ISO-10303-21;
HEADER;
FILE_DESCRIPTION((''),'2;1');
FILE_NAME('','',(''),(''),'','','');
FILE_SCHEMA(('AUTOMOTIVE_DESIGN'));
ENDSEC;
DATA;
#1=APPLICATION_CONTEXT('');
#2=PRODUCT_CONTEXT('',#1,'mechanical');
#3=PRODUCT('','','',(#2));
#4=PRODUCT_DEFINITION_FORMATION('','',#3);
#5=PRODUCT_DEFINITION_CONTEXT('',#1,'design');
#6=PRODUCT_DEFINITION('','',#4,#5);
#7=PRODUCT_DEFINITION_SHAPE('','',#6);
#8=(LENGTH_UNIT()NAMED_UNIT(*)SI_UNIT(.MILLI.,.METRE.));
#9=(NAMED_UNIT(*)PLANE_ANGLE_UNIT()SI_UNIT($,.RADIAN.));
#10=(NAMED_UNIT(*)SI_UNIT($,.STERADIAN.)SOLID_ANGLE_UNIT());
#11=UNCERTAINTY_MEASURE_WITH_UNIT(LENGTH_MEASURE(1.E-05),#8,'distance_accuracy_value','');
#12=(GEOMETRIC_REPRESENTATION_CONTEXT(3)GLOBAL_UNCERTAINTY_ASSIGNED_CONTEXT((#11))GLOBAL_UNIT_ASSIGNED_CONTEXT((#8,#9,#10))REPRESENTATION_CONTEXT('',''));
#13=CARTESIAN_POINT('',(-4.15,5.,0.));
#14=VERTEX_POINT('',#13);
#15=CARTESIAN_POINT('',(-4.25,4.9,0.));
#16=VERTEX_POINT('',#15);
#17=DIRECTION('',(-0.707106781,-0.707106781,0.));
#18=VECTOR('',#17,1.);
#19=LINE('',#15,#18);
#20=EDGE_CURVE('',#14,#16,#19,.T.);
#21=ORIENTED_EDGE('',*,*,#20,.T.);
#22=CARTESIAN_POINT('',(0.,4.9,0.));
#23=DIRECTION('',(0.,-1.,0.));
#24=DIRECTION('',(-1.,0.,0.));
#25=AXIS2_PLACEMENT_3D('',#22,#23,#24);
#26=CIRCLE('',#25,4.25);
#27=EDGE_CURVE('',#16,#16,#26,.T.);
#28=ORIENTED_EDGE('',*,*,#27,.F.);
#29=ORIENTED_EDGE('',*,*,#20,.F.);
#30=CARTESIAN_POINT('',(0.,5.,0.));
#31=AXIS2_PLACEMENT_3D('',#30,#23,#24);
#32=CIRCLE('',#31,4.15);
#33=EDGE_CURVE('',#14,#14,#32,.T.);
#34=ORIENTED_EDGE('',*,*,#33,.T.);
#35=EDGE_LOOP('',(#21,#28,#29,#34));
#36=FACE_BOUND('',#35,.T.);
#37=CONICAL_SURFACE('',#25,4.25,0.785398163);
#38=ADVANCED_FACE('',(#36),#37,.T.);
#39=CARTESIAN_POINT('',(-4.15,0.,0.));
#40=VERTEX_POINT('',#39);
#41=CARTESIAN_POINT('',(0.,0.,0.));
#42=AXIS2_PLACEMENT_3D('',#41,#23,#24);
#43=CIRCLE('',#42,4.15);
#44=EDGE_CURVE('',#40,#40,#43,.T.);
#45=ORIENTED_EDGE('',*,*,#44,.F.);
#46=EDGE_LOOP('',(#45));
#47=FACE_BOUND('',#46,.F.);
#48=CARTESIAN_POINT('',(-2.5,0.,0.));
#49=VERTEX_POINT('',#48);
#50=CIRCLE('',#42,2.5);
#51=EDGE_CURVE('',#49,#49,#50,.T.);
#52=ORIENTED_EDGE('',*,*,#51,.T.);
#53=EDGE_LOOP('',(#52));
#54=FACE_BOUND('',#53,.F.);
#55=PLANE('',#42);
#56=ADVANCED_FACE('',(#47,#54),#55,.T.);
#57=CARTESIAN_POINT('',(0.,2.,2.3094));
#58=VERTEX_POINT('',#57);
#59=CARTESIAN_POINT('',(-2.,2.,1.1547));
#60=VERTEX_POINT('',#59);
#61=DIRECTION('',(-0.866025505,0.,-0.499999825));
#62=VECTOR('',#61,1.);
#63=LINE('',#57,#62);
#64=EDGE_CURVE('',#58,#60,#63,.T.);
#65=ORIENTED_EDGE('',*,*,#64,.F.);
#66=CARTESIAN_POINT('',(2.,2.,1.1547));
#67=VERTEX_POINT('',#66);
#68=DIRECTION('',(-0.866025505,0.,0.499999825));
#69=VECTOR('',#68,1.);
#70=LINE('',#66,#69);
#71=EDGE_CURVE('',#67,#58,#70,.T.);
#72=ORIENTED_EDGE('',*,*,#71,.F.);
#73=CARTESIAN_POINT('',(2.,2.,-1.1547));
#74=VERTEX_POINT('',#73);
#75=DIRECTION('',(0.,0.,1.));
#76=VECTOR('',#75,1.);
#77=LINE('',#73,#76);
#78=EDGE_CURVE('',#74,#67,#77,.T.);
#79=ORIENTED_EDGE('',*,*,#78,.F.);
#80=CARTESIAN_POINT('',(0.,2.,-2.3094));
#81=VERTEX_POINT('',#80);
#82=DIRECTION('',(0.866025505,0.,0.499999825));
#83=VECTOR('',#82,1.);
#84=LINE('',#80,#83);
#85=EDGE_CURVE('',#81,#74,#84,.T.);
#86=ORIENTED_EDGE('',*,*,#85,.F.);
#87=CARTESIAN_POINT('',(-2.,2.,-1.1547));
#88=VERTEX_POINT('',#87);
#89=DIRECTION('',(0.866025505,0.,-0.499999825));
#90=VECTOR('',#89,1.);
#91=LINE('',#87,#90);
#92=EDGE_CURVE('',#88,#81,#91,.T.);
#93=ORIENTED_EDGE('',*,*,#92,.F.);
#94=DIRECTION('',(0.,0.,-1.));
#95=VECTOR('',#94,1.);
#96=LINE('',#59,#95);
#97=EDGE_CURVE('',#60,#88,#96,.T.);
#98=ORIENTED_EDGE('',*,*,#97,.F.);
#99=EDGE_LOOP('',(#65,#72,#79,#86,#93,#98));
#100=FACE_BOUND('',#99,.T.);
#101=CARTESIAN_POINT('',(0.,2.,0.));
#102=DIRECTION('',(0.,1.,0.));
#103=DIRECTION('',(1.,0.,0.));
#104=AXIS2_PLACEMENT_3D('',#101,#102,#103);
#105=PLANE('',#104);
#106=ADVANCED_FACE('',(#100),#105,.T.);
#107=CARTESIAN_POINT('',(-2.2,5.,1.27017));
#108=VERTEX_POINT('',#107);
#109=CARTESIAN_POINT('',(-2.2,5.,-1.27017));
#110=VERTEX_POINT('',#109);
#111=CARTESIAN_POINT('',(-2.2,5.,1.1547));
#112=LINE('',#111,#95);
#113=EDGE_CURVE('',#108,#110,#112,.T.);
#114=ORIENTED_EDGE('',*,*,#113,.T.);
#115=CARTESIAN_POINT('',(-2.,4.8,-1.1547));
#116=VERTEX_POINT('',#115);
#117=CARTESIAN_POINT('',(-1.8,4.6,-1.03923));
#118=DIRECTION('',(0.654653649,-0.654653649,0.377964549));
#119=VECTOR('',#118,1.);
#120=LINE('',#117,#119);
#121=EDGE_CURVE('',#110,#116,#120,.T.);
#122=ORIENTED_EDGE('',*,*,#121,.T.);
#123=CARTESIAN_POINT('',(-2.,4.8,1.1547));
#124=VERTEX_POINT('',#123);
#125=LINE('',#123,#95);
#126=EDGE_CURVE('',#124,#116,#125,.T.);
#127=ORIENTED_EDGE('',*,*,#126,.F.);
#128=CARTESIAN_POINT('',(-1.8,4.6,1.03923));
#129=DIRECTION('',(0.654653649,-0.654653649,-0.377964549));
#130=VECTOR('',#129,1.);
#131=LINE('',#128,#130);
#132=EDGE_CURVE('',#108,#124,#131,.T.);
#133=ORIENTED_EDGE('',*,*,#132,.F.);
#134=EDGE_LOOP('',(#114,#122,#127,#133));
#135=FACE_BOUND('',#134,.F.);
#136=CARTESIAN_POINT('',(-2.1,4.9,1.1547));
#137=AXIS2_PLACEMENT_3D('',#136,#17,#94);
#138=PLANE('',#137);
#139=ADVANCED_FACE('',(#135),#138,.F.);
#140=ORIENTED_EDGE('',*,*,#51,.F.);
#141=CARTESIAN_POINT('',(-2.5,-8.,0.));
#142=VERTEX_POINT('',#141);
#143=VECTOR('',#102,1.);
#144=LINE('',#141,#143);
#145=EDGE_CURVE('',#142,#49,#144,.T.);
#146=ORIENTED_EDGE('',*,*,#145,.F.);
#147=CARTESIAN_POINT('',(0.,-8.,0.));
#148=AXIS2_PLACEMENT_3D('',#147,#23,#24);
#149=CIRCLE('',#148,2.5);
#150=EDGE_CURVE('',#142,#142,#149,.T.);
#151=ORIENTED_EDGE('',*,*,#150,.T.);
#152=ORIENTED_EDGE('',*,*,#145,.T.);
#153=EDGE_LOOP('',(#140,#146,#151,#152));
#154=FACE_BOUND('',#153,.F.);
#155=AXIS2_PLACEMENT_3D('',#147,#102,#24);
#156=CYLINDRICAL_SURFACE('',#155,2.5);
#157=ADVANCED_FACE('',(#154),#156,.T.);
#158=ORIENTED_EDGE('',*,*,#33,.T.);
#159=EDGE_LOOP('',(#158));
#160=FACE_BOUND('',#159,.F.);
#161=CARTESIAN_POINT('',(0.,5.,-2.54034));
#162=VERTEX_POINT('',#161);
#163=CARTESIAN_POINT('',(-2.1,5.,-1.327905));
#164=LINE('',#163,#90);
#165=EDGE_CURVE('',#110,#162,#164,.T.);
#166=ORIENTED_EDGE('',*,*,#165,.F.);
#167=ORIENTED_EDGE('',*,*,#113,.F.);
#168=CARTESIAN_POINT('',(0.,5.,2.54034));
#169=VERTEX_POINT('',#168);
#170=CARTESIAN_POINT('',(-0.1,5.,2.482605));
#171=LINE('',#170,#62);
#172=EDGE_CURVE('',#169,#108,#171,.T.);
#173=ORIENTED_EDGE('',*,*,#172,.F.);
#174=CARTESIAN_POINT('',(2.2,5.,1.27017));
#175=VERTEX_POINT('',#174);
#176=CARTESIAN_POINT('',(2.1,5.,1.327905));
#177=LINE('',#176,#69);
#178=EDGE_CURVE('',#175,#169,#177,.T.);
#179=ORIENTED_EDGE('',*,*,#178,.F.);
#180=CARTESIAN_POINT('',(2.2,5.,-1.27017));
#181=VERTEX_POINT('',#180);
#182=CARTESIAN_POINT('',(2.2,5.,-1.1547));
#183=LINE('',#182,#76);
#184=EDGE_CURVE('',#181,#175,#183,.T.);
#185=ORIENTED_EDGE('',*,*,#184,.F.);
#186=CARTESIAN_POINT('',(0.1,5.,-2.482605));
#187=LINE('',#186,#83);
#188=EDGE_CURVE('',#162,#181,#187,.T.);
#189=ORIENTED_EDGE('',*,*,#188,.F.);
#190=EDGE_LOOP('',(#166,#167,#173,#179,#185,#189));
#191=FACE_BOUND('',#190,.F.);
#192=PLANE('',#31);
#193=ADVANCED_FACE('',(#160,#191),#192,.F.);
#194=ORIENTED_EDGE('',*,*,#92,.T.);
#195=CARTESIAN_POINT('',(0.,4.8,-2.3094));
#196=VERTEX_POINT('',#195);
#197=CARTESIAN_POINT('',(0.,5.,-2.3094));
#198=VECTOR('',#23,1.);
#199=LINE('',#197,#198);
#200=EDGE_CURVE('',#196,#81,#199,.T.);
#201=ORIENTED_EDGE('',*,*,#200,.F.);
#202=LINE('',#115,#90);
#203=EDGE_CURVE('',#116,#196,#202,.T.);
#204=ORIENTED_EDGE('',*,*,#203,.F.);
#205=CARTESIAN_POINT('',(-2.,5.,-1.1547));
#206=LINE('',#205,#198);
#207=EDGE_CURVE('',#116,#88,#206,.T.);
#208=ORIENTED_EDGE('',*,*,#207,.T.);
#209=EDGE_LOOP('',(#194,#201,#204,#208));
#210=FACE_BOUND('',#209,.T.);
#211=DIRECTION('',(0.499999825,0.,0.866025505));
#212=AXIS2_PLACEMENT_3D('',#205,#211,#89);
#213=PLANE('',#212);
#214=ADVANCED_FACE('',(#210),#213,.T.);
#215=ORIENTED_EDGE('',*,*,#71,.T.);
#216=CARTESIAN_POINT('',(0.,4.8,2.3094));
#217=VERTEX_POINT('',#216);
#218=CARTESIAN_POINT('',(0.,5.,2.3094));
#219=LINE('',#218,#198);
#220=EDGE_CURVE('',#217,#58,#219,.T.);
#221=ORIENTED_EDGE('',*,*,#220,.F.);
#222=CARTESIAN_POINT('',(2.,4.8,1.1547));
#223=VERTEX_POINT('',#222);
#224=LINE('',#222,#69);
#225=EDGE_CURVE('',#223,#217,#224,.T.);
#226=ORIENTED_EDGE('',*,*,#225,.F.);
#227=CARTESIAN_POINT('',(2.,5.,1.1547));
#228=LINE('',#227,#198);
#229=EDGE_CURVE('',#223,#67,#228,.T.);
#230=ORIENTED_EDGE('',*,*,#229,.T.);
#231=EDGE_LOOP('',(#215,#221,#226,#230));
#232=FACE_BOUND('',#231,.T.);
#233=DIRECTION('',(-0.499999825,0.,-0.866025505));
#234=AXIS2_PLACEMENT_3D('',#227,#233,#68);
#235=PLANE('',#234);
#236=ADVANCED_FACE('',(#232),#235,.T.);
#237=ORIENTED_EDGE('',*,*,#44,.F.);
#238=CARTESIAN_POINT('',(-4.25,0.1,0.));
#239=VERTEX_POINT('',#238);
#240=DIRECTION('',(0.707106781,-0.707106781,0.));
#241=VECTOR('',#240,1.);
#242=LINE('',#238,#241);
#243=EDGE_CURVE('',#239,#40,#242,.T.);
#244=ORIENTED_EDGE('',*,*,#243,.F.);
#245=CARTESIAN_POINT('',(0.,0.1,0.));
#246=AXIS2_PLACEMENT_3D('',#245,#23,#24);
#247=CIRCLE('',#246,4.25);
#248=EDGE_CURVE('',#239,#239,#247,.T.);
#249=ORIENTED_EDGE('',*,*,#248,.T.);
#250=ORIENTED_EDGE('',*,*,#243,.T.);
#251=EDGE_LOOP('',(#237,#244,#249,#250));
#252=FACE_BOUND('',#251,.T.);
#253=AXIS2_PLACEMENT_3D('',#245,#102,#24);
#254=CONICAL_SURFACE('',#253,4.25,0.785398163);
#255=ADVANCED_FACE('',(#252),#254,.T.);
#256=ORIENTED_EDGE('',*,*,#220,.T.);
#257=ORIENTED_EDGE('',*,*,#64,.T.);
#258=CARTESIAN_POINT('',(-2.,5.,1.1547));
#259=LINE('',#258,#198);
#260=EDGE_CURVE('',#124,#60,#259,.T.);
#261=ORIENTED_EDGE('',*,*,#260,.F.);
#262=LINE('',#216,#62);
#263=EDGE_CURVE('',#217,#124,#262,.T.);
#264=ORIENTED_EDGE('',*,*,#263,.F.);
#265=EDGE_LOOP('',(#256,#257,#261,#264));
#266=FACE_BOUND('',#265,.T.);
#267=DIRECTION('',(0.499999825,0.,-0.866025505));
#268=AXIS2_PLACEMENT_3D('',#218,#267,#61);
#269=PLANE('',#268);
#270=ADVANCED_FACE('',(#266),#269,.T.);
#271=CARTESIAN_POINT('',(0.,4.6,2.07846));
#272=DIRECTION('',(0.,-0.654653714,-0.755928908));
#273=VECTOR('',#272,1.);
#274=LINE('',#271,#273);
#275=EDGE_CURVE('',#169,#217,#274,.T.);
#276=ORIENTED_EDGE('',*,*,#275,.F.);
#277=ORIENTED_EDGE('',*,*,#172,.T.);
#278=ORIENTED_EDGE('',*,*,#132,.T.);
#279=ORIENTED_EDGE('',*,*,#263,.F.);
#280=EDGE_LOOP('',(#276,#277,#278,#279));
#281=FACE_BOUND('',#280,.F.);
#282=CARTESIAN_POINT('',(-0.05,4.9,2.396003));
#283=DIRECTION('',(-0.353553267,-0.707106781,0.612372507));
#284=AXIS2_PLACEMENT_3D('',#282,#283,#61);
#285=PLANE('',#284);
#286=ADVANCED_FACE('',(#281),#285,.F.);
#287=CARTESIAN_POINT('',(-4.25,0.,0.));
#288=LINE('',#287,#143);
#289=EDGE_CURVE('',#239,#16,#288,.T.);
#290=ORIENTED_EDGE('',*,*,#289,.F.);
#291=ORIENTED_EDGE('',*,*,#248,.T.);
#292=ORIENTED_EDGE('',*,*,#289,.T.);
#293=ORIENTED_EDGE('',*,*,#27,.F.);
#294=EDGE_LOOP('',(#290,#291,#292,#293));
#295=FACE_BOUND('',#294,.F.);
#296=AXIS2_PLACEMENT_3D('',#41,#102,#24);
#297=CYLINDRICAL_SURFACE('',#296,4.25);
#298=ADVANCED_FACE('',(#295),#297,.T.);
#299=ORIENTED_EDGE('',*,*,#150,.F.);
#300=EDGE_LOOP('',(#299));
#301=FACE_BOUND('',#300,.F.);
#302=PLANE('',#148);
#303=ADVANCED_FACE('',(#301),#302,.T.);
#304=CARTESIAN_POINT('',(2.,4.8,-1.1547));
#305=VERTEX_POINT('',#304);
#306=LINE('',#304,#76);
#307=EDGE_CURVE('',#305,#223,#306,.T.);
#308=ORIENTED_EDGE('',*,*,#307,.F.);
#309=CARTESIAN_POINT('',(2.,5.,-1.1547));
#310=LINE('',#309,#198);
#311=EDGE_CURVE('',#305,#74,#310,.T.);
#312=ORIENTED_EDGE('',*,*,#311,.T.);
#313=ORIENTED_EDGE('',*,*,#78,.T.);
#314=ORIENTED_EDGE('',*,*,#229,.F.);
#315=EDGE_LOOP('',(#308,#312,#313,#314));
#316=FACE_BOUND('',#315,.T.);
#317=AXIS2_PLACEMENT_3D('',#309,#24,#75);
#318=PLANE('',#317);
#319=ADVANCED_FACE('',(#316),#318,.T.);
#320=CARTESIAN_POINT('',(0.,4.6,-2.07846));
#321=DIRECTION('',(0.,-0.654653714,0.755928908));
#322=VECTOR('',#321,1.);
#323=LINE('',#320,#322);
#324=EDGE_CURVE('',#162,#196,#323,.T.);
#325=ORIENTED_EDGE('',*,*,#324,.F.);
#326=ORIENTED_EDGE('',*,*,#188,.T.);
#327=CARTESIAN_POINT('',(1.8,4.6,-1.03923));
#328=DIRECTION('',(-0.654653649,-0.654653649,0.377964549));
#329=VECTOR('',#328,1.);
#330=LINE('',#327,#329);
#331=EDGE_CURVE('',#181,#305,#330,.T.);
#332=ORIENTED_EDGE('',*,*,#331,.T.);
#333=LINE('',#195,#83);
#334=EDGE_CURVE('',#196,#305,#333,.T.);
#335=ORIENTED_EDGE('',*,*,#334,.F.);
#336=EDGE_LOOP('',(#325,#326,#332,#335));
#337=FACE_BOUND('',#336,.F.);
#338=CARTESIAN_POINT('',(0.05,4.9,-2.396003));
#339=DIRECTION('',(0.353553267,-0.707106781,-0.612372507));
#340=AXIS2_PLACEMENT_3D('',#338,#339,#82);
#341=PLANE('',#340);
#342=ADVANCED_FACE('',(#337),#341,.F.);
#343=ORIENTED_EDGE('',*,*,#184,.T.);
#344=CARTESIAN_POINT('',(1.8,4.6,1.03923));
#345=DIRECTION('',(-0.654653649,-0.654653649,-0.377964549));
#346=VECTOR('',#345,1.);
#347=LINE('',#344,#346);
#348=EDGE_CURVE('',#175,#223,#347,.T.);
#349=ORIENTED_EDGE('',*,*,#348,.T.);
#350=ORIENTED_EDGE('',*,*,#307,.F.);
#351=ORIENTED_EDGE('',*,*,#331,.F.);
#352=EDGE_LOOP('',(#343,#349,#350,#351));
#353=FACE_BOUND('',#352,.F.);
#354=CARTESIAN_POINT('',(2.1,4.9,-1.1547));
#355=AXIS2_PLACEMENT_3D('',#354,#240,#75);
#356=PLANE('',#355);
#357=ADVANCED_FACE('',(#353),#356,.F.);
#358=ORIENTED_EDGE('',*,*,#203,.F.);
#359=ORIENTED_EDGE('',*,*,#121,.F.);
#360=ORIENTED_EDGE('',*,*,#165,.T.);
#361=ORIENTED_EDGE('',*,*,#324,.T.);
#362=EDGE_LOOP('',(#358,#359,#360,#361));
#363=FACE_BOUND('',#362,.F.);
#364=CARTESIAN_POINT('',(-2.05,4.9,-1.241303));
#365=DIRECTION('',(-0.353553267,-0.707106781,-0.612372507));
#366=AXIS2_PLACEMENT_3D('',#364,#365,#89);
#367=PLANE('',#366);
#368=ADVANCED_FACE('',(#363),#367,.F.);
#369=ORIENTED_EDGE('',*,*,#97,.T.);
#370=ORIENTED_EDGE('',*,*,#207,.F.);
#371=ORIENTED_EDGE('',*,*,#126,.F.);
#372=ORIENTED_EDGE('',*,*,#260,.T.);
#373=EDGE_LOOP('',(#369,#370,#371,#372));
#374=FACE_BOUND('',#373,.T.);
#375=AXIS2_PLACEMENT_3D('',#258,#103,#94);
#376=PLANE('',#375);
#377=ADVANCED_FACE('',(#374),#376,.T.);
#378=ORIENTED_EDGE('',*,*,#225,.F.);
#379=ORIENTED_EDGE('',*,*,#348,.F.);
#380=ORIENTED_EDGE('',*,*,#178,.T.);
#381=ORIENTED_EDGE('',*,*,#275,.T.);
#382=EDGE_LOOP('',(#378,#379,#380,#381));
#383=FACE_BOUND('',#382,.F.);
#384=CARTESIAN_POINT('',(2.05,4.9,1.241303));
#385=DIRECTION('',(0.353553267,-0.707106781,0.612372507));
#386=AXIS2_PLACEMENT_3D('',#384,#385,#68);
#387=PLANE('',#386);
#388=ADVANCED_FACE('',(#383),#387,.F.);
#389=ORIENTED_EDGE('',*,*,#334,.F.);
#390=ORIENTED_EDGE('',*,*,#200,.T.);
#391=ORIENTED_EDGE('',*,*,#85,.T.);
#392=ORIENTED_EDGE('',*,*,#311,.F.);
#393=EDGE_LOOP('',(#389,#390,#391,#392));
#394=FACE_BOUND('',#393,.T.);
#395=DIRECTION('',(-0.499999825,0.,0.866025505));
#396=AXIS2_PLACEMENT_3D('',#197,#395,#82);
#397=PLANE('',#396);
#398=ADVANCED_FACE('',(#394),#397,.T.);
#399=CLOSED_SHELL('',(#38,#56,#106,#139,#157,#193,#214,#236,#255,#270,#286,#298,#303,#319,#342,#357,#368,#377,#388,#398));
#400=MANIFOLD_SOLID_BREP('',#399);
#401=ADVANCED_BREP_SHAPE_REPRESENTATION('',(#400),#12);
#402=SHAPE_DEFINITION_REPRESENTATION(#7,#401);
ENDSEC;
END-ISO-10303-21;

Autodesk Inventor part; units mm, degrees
ref_plane "YZ Plane" through (0, 0, 0) normal (1, 0, 0) x (0, 1, 0)
ref_plane "XZ Plane" through (0, 0, 0) normal (0, 1, 0) x (-1, 0, 0)
ref_plane "XY Plane" through (0, 0, 0) normal (0, 0, 1) x (1, 0, 0)
sketch "スケッチ1" plane through (0, 0, 0) normal (0, 0, 1) x (1, 0, 0)
  line L0 (-4.25, 5) -> (0, 5)
  line L1 (4.25, 5) -> (4.25, 0)
  line L2 (4.25, 0) -> (-4.25, 0)
  line L3 (-4.25, 0) -> (-4.25, 5)
  line L4 (-2.5, 0) -> (0, 0)
  line L5 (2.5, 0) -> (2.5, -8)
  line L6 (2.5, -8) -> (0, -8)
  line L7 (-2.5, -8) -> (-2.5, 0)
  line L8 (0, 5) -> (0, -8)
  line L9 (0, 5) -> (4.25, 5)
  line L10 (0, 0) -> (2.5, 0)
  line L11 (0, -8) -> (-2.5, -8)
  point P0 (0, 0)
  dimension "d0" = 5
  dimension "d1" = 2.5
  dimension "d2" = 8
  dimension "d3" = 8.5
  dimension "d4" = 4.25
  dimension "d5" = 5
  dimension "d18" = 5
revolve "回転1" add sketch "スケッチ1" angle 360 about axis through (0, 5, 0) along (0, -1, 0) contours L0 L8 L2 L3 | L8 L11 L7 L2
sketch "スケッチ2" plane through (0, 5, 0) normal (0, 1, 0) x (1, 0, 0)
  line L0 (0, 2.3094) -> (2, 1.1547)
  line L1 (2, 1.1547) -> (2, -1.1547)
  line L2 (2, -1.1547) -> (0, -2.3094)
  line L3 (0, -2.3094) -> (-2, -1.1547)
  line L4 (-2, -1.1547) -> (-2, 1.1547)
  line L5 (-2, 1.1547) -> (0, 2.3094)
  point P0 (0, 0)
  dimension "d9" = 4
extrude "押し出し1" cut sketch "スケッチ2" against normal blind 3
chamfer "面取り1" distance 0.1 angle 45 2 edges at (4.25, 5, 0) (4.25, 0, 0)
chamfer "面取り2" distance 0.2 angle 45 6 edges at (1, 5, 1.7321) (-1, 5, 1.7321) (-2, 5, 0) (-1, 5, -1.7321) (1, 5, -1.7321) (2, 5, 0)
thread "ねじ2" size "M5x0.8" class "6g" standard "ANSI Metric M Profile" full length
equation "\"d1\" = 0.5 * d0"
equation "\"d4\" = 0.5 * d3"
equation "\"d18\" = d0"
properties part number "M5_8mm"
